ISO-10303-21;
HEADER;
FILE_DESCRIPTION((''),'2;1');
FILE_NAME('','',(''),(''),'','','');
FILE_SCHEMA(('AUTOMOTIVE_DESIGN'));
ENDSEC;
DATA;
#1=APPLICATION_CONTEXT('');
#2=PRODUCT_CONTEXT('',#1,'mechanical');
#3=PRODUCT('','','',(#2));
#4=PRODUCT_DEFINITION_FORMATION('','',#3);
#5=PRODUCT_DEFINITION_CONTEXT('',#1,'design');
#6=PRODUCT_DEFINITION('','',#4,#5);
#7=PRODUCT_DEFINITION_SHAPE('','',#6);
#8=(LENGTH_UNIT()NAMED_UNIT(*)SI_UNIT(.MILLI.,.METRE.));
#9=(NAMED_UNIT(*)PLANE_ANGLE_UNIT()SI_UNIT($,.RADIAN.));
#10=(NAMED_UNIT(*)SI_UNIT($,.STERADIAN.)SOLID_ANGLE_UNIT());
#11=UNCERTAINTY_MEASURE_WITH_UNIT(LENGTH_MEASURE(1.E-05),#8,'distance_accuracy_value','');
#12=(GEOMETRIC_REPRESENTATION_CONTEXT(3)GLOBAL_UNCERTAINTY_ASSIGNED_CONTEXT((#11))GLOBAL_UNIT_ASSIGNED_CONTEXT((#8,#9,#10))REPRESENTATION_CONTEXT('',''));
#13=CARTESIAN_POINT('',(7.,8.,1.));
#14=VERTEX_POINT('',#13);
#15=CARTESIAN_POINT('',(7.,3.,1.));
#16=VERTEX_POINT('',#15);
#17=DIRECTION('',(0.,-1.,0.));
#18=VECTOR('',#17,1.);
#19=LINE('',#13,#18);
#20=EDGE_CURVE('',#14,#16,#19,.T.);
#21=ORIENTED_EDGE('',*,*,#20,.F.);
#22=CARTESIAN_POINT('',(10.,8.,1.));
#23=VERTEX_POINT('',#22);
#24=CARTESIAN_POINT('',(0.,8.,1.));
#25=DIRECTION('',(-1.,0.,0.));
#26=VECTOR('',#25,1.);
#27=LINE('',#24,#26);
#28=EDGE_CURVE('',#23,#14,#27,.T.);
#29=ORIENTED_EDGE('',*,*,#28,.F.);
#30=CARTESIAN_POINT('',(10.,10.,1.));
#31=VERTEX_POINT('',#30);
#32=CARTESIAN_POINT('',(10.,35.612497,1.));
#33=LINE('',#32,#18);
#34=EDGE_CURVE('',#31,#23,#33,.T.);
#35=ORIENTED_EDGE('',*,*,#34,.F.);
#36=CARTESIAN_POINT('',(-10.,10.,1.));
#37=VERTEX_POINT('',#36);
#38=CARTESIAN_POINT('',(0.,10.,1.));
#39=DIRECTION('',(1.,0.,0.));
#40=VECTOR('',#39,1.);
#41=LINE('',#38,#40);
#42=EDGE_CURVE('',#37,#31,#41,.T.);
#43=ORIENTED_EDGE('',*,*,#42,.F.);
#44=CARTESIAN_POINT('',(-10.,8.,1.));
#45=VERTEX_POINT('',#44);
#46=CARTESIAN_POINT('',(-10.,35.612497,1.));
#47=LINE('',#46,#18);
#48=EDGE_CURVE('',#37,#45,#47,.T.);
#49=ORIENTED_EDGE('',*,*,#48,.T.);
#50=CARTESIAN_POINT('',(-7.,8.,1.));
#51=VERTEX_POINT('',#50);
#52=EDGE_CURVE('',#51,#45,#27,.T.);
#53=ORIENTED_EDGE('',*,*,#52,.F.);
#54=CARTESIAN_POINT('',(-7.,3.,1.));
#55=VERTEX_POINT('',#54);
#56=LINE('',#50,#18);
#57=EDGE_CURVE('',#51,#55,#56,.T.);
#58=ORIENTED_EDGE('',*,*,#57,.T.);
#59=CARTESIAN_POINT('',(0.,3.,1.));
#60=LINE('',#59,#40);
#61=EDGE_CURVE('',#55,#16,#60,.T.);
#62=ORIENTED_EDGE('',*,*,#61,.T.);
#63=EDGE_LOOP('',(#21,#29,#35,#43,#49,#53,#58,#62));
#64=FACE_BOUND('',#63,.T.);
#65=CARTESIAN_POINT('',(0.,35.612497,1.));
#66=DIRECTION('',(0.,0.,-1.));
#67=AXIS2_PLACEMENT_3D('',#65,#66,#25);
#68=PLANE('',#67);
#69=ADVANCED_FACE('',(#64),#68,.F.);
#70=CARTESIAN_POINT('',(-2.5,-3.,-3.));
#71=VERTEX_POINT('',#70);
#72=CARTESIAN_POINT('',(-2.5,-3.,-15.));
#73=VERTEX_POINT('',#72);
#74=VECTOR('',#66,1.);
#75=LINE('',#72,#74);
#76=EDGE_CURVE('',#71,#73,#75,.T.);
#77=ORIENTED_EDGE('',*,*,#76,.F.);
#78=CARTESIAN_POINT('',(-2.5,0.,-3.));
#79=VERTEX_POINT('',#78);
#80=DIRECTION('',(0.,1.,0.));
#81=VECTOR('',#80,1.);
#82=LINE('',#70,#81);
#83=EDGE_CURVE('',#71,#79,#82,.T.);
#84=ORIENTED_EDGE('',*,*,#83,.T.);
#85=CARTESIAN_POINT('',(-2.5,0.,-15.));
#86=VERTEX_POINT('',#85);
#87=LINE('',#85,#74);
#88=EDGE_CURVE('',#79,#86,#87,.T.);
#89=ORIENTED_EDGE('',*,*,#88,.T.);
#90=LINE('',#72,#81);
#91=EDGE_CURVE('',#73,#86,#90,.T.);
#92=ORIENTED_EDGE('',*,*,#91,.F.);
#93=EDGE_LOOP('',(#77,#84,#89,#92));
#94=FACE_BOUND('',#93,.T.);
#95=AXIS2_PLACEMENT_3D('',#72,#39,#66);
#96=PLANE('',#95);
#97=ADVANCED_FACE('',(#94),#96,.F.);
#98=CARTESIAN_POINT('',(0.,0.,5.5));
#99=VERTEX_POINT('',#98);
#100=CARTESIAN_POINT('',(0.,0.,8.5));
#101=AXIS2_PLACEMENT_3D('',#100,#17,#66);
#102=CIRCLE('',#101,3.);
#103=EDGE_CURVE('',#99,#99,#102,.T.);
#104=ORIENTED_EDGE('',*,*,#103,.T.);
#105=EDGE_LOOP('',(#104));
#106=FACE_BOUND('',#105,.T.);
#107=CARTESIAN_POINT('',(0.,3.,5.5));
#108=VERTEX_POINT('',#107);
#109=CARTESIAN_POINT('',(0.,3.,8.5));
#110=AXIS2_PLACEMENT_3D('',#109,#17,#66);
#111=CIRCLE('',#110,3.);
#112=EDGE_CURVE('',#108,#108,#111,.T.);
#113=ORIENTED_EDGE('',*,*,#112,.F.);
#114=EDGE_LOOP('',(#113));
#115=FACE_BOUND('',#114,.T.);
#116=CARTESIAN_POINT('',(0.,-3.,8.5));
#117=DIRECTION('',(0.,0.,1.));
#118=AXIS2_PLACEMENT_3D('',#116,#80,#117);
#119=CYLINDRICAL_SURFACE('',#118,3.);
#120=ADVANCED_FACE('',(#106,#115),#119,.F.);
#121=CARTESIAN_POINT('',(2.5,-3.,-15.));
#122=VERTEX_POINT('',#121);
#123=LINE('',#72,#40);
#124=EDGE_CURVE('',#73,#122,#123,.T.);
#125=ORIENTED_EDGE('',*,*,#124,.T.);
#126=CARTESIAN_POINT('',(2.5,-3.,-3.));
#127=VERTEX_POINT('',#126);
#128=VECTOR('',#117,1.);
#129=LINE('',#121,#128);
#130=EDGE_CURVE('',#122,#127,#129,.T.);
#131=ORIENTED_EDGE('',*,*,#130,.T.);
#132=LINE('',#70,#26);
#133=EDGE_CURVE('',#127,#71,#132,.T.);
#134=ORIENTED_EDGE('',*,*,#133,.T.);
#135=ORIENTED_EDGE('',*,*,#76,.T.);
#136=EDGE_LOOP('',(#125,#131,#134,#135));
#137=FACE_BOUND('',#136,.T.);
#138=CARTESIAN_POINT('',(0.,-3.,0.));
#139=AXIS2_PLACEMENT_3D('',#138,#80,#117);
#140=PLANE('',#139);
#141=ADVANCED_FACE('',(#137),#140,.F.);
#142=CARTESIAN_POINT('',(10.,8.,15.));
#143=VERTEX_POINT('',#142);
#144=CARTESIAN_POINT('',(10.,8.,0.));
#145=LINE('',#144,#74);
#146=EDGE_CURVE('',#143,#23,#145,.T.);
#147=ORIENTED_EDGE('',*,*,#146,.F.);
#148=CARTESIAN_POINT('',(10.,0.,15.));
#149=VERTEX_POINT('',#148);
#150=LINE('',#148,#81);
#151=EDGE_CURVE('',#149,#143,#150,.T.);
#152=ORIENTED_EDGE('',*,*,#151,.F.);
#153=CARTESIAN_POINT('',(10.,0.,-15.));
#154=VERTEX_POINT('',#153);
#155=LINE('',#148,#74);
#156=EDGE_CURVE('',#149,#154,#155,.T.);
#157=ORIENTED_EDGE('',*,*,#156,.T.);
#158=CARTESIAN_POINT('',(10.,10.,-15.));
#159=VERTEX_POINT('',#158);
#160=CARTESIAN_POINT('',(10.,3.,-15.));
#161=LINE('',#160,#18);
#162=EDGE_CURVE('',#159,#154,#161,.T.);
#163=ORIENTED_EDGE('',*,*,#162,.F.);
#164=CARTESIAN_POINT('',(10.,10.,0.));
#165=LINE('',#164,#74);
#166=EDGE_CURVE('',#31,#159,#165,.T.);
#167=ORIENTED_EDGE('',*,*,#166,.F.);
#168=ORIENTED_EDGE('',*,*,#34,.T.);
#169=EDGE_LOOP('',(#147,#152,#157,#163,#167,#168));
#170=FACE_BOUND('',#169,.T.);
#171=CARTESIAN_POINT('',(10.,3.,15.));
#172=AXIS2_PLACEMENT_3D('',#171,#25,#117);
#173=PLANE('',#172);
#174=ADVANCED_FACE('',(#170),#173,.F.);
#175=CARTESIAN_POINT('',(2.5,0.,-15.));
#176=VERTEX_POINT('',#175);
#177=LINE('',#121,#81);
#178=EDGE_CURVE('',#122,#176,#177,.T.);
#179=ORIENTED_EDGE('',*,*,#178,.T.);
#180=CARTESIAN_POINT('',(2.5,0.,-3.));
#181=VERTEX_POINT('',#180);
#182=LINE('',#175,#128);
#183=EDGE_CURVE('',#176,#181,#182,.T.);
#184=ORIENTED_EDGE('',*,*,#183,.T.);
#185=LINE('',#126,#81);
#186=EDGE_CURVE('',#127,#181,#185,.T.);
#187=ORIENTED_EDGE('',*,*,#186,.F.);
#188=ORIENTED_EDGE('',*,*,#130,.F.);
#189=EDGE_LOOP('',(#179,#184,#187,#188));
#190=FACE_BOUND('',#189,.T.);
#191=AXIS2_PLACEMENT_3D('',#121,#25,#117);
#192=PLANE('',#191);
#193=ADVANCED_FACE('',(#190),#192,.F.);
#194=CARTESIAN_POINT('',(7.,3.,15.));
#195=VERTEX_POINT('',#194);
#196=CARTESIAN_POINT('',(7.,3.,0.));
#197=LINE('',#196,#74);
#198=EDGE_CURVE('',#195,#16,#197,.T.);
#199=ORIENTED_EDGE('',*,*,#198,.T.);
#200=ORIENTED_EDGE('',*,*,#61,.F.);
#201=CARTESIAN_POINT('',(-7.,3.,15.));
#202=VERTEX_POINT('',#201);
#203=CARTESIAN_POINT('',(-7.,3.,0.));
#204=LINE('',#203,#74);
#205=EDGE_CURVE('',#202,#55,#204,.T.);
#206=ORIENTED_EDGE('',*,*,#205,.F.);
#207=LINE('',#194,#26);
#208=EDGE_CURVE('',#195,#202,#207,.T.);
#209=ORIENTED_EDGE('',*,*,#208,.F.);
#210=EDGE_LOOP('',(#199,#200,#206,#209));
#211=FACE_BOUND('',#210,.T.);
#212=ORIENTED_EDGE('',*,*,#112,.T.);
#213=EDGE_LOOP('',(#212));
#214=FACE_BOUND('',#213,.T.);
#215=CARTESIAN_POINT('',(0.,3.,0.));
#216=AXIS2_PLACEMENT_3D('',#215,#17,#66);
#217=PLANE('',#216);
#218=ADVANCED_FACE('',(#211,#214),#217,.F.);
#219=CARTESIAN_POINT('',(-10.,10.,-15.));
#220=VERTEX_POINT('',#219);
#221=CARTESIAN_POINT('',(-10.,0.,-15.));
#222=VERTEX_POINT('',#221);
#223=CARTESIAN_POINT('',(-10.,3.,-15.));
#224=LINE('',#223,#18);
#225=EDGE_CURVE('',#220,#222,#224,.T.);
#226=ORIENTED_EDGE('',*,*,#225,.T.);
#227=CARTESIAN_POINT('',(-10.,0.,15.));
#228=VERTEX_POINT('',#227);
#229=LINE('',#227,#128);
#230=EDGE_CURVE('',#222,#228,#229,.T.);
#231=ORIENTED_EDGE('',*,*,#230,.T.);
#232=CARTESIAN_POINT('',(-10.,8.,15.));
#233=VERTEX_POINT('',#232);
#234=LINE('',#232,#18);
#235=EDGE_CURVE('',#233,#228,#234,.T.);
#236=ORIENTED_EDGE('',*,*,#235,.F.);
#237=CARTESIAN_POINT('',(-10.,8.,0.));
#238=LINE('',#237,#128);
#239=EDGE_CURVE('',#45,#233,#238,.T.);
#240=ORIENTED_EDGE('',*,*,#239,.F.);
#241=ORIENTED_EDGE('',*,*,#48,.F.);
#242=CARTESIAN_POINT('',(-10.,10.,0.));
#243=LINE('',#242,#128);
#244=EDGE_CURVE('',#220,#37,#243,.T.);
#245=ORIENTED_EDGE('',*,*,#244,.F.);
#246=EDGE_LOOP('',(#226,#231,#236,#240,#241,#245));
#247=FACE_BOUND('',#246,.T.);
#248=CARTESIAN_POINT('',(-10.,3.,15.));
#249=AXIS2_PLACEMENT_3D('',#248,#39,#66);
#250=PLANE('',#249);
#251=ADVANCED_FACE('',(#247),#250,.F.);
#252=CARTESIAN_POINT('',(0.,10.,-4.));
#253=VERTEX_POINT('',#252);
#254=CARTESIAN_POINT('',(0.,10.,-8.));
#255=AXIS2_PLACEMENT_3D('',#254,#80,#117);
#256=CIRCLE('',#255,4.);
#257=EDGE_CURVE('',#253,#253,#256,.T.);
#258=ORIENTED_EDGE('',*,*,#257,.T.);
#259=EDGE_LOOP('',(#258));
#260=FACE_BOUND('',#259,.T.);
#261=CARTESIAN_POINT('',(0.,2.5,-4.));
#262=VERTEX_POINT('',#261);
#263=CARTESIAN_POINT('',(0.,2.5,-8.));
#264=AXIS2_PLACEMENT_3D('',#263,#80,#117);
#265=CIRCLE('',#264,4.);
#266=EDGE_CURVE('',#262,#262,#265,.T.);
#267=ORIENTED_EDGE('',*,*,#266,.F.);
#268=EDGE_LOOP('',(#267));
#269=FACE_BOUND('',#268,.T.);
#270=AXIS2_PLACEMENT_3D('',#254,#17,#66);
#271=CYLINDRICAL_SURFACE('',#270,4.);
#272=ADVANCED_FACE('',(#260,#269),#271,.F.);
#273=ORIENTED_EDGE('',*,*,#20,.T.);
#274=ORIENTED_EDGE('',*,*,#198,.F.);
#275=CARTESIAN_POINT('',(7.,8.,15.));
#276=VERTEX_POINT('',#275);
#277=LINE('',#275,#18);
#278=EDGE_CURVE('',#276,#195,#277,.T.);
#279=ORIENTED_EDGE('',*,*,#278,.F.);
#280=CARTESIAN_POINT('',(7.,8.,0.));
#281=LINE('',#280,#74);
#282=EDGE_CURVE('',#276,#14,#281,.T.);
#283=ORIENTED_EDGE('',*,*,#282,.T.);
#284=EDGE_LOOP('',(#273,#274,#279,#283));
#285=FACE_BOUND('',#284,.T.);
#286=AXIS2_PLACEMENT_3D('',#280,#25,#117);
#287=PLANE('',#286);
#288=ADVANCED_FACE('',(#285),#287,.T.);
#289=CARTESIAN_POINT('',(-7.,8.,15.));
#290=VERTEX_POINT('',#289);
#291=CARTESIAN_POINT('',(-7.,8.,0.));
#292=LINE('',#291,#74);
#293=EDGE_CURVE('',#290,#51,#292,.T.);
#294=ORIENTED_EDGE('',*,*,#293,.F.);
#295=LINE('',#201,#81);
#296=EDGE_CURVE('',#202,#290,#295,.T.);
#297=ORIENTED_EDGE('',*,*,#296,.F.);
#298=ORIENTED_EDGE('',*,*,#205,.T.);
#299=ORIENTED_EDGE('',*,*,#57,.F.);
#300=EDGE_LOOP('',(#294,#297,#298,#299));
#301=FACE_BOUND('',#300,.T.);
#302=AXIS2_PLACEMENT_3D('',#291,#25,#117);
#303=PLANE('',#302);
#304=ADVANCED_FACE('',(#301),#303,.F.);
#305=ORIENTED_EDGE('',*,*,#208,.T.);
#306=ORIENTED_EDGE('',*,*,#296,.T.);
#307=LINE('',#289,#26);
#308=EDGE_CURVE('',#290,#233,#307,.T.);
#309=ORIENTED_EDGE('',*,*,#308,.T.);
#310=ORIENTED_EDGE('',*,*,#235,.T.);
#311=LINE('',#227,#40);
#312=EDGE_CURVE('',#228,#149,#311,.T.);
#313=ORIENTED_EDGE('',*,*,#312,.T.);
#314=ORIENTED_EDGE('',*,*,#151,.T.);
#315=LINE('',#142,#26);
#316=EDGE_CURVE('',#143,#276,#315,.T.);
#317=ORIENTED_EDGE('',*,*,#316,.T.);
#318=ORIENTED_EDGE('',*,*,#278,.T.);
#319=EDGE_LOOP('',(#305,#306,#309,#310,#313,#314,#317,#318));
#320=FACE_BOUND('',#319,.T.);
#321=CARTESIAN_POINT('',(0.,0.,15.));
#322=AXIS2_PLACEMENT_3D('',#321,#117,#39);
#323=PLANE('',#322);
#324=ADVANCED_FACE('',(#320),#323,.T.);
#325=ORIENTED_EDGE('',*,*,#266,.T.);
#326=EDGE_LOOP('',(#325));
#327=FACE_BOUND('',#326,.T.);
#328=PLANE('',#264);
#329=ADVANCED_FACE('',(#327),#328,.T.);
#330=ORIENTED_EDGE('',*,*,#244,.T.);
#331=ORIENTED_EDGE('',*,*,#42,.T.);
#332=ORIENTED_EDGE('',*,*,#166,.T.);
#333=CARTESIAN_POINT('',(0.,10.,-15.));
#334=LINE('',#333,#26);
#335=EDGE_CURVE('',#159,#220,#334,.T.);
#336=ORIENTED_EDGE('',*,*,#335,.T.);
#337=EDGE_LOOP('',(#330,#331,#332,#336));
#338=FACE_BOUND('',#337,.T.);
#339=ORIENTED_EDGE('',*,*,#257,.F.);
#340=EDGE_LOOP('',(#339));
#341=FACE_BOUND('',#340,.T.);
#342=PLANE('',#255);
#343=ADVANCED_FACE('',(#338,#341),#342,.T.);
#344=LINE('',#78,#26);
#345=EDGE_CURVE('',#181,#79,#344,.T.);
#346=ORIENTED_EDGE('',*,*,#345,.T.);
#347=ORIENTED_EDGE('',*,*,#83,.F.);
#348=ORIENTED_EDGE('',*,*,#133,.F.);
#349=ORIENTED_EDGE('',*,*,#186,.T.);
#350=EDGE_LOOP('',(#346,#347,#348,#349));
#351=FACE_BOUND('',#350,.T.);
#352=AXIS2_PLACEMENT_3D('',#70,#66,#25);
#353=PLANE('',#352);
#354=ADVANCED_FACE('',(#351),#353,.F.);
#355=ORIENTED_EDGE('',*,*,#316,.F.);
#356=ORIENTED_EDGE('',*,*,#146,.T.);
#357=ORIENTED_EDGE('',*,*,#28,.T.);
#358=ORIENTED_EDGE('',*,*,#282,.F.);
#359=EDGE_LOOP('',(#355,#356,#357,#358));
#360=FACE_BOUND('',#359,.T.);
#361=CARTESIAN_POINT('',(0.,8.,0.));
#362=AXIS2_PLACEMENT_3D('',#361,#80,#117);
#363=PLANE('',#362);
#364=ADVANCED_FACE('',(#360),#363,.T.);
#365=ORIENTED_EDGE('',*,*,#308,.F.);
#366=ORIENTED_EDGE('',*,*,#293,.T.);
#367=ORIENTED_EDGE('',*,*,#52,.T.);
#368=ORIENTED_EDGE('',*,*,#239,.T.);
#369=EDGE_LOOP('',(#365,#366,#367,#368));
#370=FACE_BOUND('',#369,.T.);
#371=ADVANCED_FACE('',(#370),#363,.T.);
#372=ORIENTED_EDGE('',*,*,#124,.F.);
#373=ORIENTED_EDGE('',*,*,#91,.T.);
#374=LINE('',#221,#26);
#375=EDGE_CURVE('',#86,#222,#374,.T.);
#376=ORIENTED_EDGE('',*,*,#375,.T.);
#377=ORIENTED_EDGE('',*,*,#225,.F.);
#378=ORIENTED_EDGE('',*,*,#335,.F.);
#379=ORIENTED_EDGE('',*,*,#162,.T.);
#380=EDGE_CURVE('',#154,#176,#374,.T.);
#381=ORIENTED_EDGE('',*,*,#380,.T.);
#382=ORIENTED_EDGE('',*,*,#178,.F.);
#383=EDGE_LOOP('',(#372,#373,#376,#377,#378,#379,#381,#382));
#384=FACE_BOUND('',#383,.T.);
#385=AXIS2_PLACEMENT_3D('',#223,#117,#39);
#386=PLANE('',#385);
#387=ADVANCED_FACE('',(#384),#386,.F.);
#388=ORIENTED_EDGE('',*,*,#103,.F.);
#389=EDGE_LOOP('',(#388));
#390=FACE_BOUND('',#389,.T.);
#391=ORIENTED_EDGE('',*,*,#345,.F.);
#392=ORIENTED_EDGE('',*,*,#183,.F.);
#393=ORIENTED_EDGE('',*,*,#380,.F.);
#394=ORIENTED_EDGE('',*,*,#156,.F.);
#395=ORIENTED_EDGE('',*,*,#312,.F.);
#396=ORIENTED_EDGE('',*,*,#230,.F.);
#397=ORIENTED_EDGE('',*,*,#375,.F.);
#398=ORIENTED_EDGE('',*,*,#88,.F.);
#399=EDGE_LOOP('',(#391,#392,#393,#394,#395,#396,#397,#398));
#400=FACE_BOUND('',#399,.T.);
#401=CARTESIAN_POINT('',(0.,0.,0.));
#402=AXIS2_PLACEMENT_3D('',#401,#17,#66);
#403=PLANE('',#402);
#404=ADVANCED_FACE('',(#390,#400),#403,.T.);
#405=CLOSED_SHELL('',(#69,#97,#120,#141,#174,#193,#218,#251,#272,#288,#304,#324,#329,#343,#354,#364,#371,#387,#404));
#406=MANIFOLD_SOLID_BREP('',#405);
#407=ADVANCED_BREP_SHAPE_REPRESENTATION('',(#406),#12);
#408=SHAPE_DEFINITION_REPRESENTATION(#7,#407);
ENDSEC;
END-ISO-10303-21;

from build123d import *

# Parameters (mm, degrees)
SKETCH1_W               = 20
SKETCH1_H               = 30
BOSS_EXTRUDE1_DEPTH     = 3
SKETCH2_W               = 5
SKETCH2_H               = 12
BOSS_EXTRUDE2_DEPTH     = 3
SKETCH3_R               = 7
SKETCH3_R_2             = 4
BOSS_EXTRUDE3_DEPTH     = 7
SKETCH4_R               = 4
BOSS_EXTRUDE4_DEPTH     = 1
CUT_EXTRUDE1_DEPTH      = 20.339079606
CUT_EXTRUDE1_DEPTH_BACK = 20.339079606
SKETCH5_R               = 3
SKETCH6_R               = 7
SKETCH6_R_2             = 4
BOSS_EXTRUDE6_DEPTH     = 7
SKETCH7_W               = 20
SKETCH7_H               = 3
BOSS_EXTRUDE7_DEPTH     = 19
SKETCH8_W               = 5
SKETCH8_H               = 3
BOSS_EXTRUDE8_DEPTH     = 12
CUT_EXTRUDE2_START      = -1.5
SKETCH10_R              = 4
CUT_EXTRUDE2_DEPTH      = 1.5
SKETCH12_W              = 3
SKETCH12_H              = 32
BOSS_EXTRUDE9_DEPTH     = 5
CUT_EXTRUDE3_DEPTH      = 52
CUT_EXTRUDE3_DEPTH_BACK = 52
SKETCH13_W              = 44.018077629
SKETCH13_H              = 41.98282258
CUT_EXTRUDE4_DEPTH      = 2


with BuildPart() as part:
    # Sketch1 → Boss-Extrude1 (new body)
    with BuildSketch(Plane(origin=(0, 0, 0), x_dir=(1, 0, 0), z_dir=(0, 1, 0))):
        Rectangle(SKETCH1_W, SKETCH1_H)
    boss_extrude1 = extrude(amount=BOSS_EXTRUDE1_DEPTH)

    # Sketch2 → Boss-Extrude2 (add)
    with BuildSketch(Plane.XZ):
        with Locations((0, -9)):
            Rectangle(SKETCH2_W, SKETCH2_H)
    boss_extrude2 = extrude(amount=BOSS_EXTRUDE2_DEPTH)

    # Sketch3 → Boss-Extrude3 (add)
    with BuildSketch(Plane(origin=(0, 3, 0), x_dir=(1, 0, 0), z_dir=(0, 1, 0))):
        with Locations(Location((0, 8, 0), (0, 0, 90))):
            Circle(SKETCH3_R)
        with Locations(Location((0, 8, 0), (0, 0, 270))):
            Circle(SKETCH3_R_2, mode=Mode.SUBTRACT)
    boss_extrude3 = extrude(amount=BOSS_EXTRUDE3_DEPTH)

    # Sketch4 → Boss-Extrude4 (add)
    with BuildSketch(Plane(origin=(0, 3, 0), x_dir=(1, 0, 0), z_dir=(0, 1, 0))):
        with Locations(Location((0, 8, 0), (0, 0, 270))):
            Circle(SKETCH4_R)
    boss_extrude4 = extrude(amount=BOSS_EXTRUDE4_DEPTH)

    # Sketch5 → Cut-Extrude1 (cut, two sides: drawn at the far end of the back side and taken through both)
    with BuildSketch(Plane(origin=(0, 3, 0), x_dir=(1, 0, 0), z_dir=(0, 1, 0)).offset(-CUT_EXTRUDE1_DEPTH_BACK)):
        with Locations(Location((0, -8.5, 0), (0, 0, 90))):
            Circle(SKETCH5_R)
    extrude(amount=CUT_EXTRUDE1_DEPTH + CUT_EXTRUDE1_DEPTH_BACK, mode=Mode.SUBTRACT)

    # Sketch6 → Boss-Extrude6 (add)
    # profile 1 of 2: a face of its own
    with BuildSketch(Plane(origin=(0, 3, 0), x_dir=(1, 0, 0), z_dir=(0, 1, 0))):
        Polygon((0, 15), (-10, 15), (-10, -1), (10, -1), (10, 15), align=None)
        with BuildLine():
            ThreePointArc((7, 8), (-4.949747468, 3.050252532), (0, 15))
            ThreePointArc((0, 15), (4.949747468, 12.949747468), (7, 8))
        make_face(mode=Mode.SUBTRACT)
    # profile 2 of 2: a face of its own
    with BuildSketch(Plane(origin=(0, 3, 0), x_dir=(1, 0, 0), z_dir=(0, 1, 0))):
        with Locations((0, 8)):
            Circle(SKETCH6_R)
        with Locations(Location((0, 8, 0), (0, 0, 270))):
            Circle(SKETCH6_R_2, mode=Mode.SUBTRACT)
    boss_extrude6 = extrude(amount=BOSS_EXTRUDE6_DEPTH)

    # Sketch7 → Boss-Extrude7 (add)
    with BuildSketch(Plane.XY.offset(15)):
        with Locations((0, 1.5)):
            Rectangle(SKETCH7_W, SKETCH7_H)
    extrude(amount=BOSS_EXTRUDE7_DEPTH)

    # Mirror3: Boss-Extrude1, Boss-Extrude2, Boss-Extrude3, Boss-Extrude4, Boss-Extrude6 across plane
    add(boss_extrude1.mirror(Plane.XY.offset(17)))
    add(boss_extrude2.mirror(Plane.XY.offset(17)))
    add(boss_extrude3.mirror(Plane.XY.offset(17)))
    add(boss_extrude4.mirror(Plane.XY.offset(17)))
    add(boss_extrude6.mirror(Plane.XY.offset(17)))

    # Sketch8 → Boss-Extrude8 (add)
    with BuildSketch(Plane(origin=(0, 0, 37), x_dir=(-1, 0, 0), z_dir=(0, 0, -1))):
        with Locations((0, -1.5)):
            Rectangle(SKETCH8_W, SKETCH8_H)
    extrude(amount=BOSS_EXTRUDE8_DEPTH)

    # Sketch10 → Cut-Extrude2 (cut)
    with BuildSketch(Plane(origin=(0, 4, 0), x_dir=(1, 0, 0), z_dir=(0, 1, 0)).offset(CUT_EXTRUDE2_START)):
        with Locations(Location((0, 8, 0), (0, 0, 270))):
            Circle(SKETCH10_R)
        with Locations(Location((0, -42, 0), (0, 0, 90))):
            Circle(SKETCH10_R)
    extrude(amount=CUT_EXTRUDE2_DEPTH, mode=Mode.SUBTRACT)

    # Sketch12 → Boss-Extrude9 (add)
    with BuildSketch(Plane(origin=(0, 3, 0), x_dir=(1, 0, 0), z_dir=(0, 1, 0))):
        with Locations((8.5, -17)):
            Rectangle(SKETCH12_W, SKETCH12_H)
        with Locations((-8.5, -17)):
            Rectangle(SKETCH12_W, SKETCH12_H)
    extrude(amount=BOSS_EXTRUDE9_DEPTH)

    # Sketch13 → Cut-Extrude3 (cut, two sides: drawn at the far end of the back side and taken through both)
    with BuildSketch(Plane(origin=(0, 0, 0), x_dir=(1, 0, 0), z_dir=(0, 1, 0)).offset(-CUT_EXTRUDE3_DEPTH_BACK)):
        with Locations((-0.328555997, -37.99141129)):
            Rectangle(SKETCH13_W, SKETCH13_H)
    extrude(amount=CUT_EXTRUDE3_DEPTH + CUT_EXTRUDE3_DEPTH_BACK, mode=Mode.SUBTRACT)

    # Sketch14 → Cut-Extrude4 (cut)
    with BuildSketch(Plane.XY.offset(17)):
        Polygon((10, 8), (7, 8), (7, 3), (-7, 3), (-7, 8), (-10, 8), (-10, 0), (10, 0), align=None)
    extrude(amount=-CUT_EXTRUDE4_DEPTH, mode=Mode.SUBTRACT)


solid = part.part
